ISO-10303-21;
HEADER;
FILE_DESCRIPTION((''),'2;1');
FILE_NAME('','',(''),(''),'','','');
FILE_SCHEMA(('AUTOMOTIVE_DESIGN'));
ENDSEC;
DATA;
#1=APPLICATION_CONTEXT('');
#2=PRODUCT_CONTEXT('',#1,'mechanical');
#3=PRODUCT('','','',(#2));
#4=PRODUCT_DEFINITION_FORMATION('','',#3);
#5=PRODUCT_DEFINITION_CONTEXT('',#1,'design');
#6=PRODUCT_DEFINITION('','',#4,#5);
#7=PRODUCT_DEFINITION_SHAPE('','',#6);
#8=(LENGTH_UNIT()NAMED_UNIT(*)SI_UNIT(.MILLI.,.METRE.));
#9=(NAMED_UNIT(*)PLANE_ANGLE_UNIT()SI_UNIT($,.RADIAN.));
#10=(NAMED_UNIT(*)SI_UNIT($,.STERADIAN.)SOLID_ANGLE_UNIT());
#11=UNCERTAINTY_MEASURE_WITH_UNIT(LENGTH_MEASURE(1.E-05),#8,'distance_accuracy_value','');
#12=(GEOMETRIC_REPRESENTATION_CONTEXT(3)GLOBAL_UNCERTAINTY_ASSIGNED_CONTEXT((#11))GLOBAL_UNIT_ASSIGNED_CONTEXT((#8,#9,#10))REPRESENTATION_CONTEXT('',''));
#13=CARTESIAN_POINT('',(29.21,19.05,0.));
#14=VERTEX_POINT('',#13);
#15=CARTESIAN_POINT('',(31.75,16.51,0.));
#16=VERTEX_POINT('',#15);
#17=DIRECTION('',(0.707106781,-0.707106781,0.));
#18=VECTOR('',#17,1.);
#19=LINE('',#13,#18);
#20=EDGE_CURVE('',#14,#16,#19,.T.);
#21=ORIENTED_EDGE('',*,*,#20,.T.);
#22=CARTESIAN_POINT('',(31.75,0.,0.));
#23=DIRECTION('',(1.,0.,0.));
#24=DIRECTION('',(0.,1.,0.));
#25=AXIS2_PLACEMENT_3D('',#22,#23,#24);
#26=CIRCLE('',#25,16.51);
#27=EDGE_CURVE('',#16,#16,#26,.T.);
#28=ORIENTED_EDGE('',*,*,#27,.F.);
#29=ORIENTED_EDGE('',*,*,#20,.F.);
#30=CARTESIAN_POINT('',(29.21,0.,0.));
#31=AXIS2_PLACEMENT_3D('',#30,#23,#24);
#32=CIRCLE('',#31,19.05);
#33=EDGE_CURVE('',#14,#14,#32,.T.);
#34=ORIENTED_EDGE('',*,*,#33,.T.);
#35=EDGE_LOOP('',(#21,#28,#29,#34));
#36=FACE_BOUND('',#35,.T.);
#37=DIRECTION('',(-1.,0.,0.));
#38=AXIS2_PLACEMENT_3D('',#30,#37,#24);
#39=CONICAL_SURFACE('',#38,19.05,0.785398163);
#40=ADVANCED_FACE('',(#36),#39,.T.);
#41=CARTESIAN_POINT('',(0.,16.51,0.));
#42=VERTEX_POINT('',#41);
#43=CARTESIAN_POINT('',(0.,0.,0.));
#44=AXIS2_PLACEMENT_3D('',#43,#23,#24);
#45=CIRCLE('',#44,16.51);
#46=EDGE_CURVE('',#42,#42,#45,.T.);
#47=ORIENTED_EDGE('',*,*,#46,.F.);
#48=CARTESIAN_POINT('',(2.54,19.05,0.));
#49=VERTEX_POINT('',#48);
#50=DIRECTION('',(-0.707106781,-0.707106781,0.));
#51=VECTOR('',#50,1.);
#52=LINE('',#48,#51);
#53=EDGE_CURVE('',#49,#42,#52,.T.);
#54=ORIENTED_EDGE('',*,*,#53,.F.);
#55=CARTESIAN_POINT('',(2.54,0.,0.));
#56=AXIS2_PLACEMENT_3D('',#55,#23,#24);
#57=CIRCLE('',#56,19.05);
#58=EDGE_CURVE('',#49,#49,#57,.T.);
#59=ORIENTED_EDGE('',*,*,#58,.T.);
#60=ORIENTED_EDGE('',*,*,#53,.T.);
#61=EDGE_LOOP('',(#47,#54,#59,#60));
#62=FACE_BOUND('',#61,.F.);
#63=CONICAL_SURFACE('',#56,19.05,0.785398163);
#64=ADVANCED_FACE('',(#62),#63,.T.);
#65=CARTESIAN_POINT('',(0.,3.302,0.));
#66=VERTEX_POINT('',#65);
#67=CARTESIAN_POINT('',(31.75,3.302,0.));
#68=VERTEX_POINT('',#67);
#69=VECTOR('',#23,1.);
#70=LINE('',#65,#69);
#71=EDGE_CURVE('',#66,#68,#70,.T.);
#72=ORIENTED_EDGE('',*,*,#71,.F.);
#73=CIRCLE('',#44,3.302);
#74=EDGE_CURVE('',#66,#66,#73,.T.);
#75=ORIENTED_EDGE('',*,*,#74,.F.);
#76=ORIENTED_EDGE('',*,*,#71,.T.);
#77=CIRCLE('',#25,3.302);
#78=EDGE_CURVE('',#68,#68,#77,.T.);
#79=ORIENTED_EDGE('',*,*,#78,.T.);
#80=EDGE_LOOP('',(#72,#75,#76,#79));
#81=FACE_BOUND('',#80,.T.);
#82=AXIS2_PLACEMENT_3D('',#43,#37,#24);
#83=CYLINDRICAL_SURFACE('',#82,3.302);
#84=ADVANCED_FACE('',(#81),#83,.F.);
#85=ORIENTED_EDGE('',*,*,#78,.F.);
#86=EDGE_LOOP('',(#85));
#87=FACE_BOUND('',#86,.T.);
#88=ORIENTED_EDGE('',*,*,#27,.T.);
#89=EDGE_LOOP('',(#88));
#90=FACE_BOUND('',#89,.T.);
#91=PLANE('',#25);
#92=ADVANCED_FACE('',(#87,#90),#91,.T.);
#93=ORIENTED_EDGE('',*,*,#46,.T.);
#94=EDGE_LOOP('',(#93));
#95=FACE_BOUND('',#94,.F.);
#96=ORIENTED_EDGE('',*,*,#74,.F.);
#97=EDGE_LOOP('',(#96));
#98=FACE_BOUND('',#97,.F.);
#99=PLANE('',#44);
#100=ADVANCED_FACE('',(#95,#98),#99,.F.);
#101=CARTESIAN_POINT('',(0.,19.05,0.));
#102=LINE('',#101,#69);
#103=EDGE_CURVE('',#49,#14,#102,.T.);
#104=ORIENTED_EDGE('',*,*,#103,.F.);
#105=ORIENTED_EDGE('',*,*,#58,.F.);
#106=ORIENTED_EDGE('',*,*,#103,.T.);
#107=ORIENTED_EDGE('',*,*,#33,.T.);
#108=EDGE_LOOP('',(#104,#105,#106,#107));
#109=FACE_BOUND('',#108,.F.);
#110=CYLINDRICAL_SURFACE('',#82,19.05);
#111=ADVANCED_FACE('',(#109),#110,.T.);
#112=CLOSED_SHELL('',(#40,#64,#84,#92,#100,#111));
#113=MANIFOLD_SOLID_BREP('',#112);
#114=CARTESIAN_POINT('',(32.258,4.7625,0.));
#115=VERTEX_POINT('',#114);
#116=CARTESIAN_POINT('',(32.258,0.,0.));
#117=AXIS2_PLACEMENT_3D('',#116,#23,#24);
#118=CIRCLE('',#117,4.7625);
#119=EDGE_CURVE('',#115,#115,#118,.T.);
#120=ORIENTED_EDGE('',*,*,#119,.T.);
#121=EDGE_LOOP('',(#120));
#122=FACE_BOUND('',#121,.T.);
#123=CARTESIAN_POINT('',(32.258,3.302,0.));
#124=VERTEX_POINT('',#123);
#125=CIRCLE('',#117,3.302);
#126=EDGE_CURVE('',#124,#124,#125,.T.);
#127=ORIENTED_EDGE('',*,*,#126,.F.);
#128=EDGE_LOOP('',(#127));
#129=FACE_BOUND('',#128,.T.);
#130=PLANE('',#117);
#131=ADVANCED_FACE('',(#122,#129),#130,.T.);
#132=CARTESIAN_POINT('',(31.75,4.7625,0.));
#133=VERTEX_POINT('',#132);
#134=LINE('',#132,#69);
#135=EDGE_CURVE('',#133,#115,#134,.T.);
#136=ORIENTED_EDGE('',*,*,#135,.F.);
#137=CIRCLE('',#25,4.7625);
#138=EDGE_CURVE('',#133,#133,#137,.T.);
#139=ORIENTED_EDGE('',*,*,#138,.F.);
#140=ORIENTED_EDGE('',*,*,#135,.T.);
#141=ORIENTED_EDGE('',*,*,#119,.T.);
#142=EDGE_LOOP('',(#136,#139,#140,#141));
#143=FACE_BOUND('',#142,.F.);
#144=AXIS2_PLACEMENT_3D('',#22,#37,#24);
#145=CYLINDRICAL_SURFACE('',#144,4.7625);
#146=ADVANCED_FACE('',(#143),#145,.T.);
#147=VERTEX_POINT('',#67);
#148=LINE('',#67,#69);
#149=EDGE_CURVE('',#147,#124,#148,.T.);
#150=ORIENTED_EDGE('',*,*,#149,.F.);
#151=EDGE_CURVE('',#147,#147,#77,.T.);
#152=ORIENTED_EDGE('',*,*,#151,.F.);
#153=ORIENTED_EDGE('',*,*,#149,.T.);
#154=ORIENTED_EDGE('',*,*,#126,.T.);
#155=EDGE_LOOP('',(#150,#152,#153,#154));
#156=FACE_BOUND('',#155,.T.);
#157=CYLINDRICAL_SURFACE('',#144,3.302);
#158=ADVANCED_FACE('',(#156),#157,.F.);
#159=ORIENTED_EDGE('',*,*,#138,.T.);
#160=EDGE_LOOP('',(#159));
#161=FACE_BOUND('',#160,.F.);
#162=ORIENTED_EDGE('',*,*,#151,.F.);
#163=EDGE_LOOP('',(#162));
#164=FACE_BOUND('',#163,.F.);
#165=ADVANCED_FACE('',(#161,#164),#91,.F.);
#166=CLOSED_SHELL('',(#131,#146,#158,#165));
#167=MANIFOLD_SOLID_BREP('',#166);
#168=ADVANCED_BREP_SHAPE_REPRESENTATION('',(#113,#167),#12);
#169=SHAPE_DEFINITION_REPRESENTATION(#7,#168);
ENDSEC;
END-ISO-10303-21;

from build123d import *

# Parameters (mm, degrees)
F0_R     = 19.05
F1_DEPTH = 31.75
F2_R     = 3.302
F3_DEPTH = 31.75
F4_SIZE  = 2.54
F5_R     = 4.7625
F5_R_2   = 3.302
F6_DEPTH = 0.508


with BuildPart() as f1:
    # F0 (on Right) → F1 (new body)
    with BuildSketch(Plane.YZ):
        Circle(F0_R)
    extrude(amount=F1_DEPTH)

    # F2 (on Right) → F3 (cut)
    with BuildSketch(Plane.YZ):
        Circle(F2_R)
    extrude(amount=F3_DEPTH, mode=Mode.SUBTRACT)

    # F4
    f4_edges = [f1.edges().sort_by_distance(p)[0] for p in [
        (31.75, -19.05, 0),
        (0, -19.05, 0),
    ]]
    chamfer(f4_edges, length=F4_SIZE)


with BuildPart() as f6:
    # F5 (on face) → F6 (new body)
    with BuildSketch(Plane.YZ.offset(31.75)):
        Circle(F5_R)
        Circle(F5_R_2, mode=Mode.SUBTRACT)
    extrude(amount=F6_DEPTH)


solid = Compound([f1.part, f6.part])
